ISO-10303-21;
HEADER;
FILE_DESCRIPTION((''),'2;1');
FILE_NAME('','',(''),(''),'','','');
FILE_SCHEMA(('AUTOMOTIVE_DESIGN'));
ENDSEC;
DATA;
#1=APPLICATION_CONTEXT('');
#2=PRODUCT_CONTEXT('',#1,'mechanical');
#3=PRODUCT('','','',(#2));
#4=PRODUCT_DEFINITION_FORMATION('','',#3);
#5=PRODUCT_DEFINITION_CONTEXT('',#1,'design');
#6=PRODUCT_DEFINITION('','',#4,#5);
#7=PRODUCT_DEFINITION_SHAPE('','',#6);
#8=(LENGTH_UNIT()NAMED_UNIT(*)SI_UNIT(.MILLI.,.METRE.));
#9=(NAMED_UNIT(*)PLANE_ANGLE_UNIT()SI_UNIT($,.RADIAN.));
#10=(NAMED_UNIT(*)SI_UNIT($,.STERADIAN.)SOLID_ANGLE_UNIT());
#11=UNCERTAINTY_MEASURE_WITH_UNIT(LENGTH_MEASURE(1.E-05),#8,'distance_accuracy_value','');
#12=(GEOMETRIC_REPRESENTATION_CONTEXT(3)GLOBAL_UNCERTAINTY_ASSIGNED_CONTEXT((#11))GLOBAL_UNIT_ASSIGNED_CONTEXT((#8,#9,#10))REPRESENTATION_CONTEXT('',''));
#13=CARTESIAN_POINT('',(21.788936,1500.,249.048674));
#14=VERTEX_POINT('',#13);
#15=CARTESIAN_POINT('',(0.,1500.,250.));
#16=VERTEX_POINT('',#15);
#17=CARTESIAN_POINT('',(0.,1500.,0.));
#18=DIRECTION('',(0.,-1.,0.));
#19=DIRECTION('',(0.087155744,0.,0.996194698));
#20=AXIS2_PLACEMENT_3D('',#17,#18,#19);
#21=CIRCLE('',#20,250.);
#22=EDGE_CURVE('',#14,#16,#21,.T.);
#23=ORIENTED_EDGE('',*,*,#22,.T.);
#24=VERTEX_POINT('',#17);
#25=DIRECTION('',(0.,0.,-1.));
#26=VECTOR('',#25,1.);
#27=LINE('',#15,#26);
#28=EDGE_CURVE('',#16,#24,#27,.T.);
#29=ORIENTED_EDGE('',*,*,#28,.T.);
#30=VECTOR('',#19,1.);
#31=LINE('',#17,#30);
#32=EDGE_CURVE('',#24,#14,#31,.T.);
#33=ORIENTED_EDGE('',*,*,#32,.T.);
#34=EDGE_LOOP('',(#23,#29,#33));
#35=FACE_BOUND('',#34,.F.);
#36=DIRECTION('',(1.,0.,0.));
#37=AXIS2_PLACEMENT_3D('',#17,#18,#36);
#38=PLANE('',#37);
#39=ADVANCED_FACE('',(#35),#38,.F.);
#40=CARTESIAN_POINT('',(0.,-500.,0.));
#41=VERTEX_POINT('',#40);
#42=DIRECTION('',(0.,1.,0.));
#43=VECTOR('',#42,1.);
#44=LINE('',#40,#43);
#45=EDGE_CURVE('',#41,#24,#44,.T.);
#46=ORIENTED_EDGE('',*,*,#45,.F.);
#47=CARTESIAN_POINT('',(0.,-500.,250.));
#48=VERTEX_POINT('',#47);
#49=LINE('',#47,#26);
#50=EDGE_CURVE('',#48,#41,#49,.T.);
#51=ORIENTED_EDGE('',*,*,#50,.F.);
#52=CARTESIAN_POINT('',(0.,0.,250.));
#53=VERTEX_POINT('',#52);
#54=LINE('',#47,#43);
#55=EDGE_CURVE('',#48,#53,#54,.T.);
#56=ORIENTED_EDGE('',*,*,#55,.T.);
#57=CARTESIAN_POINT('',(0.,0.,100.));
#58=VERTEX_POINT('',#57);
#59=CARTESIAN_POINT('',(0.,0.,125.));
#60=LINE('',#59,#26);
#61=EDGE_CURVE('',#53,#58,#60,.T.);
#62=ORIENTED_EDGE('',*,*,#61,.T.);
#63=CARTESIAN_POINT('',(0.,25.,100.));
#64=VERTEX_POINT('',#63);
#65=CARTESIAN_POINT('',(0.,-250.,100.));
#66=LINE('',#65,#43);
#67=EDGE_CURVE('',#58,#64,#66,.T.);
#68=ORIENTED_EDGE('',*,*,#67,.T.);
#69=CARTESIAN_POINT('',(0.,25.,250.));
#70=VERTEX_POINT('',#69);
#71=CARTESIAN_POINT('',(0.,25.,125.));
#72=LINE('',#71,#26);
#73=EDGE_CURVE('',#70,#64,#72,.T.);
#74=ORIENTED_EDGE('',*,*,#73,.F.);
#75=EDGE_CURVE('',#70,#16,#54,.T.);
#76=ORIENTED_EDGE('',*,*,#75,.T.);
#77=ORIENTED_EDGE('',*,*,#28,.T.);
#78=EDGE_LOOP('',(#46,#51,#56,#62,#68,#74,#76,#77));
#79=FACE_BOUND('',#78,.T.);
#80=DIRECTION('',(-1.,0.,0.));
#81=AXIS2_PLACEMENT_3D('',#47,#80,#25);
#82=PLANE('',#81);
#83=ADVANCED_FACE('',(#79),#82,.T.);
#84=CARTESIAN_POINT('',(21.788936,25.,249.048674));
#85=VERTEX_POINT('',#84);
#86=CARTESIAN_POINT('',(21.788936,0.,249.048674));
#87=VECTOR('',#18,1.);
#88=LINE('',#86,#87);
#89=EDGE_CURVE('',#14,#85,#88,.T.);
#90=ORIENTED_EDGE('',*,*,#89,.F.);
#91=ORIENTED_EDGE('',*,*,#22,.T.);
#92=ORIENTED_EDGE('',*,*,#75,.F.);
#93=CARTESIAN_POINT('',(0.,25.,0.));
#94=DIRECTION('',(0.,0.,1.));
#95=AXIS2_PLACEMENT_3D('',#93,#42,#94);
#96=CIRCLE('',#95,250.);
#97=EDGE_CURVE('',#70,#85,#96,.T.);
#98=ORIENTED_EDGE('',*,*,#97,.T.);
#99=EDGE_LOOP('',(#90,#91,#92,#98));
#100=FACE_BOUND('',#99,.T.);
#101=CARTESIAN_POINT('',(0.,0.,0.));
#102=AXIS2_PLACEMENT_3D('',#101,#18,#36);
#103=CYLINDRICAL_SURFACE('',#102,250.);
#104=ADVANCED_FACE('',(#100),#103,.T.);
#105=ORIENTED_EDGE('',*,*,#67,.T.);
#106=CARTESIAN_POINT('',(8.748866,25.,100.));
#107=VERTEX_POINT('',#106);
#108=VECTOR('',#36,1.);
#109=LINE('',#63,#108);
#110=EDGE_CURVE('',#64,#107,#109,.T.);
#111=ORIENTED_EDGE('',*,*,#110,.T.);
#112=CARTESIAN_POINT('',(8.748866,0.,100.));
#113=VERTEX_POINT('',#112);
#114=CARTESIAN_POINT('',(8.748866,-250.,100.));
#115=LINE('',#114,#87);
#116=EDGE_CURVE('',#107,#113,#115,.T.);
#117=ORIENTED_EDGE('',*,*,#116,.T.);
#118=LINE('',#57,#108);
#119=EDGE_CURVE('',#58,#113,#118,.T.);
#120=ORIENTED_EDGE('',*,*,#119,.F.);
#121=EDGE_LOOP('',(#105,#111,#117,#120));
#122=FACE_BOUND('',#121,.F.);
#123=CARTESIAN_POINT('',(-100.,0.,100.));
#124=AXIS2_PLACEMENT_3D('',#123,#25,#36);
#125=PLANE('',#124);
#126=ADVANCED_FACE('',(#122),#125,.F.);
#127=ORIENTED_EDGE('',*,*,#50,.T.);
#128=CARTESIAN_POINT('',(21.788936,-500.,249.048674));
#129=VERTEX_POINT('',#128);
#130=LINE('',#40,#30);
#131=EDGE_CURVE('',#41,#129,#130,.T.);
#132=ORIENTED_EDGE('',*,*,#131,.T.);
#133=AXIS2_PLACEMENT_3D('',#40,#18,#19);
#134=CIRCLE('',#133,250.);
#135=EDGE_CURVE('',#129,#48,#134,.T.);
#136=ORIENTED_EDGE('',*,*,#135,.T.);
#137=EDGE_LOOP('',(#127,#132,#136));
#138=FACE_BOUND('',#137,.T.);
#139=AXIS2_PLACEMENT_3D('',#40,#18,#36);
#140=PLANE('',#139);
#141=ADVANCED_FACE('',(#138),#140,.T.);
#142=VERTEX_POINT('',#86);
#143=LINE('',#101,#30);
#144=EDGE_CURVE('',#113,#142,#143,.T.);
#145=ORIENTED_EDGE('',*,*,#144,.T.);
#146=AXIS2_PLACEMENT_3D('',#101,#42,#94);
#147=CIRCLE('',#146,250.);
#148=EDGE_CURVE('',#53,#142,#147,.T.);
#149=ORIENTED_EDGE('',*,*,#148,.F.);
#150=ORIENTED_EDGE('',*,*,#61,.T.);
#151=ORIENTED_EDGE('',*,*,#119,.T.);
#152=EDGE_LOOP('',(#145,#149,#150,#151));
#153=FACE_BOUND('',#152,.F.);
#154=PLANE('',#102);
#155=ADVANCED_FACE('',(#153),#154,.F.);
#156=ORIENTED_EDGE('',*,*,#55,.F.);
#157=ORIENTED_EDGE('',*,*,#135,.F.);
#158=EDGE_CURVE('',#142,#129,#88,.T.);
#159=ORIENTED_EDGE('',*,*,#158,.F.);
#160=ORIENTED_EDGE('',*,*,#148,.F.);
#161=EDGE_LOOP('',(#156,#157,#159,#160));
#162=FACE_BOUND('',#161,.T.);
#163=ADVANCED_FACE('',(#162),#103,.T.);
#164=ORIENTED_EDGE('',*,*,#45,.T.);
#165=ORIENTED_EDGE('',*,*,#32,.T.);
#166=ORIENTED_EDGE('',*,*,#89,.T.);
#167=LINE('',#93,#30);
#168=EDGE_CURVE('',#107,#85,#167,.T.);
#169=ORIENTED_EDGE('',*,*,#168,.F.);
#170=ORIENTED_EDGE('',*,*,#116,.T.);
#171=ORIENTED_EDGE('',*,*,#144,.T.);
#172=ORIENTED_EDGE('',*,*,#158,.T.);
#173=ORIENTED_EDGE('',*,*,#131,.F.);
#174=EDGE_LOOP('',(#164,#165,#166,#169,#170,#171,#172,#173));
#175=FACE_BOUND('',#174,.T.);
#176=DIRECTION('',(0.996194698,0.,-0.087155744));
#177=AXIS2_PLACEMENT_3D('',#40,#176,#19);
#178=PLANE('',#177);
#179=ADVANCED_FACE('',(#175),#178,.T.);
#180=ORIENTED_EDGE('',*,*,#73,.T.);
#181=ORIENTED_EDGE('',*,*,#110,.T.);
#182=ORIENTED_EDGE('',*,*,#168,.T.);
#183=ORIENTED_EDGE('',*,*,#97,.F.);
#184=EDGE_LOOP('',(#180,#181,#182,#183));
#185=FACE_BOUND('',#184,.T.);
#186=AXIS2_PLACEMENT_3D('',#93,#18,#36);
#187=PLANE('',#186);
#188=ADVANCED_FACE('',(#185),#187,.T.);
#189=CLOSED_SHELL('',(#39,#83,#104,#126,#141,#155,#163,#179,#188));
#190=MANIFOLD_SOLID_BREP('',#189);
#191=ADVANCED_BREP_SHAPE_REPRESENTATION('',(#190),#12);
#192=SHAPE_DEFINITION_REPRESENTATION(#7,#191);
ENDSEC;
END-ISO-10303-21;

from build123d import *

# Parameters (mm, degrees)
F0_R     = 250
F2_DEPTH = 500
F1_R     = 250
F1_W     = 200
F1_H     = 200
F3_DEPTH = 1500
F1_W_2   = 959.411026
F1_H_2   = 659
F4_DEPTH = 25
F6_DEPTH = 2000


with BuildPart() as f2:
    # F0 (on Front) → F2 (new body)
    with BuildSketch(Plane.XZ):
        Circle(F0_R)
    extrude(amount=F2_DEPTH)

    # F1 (on face) → F3 (join)
    with BuildSketch(Plane.XZ):
        Circle(F1_R)
        Rectangle(F1_W, F1_H, mode=Mode.SUBTRACT)
        Rectangle(F1_W, F1_H)
    extrude(amount=-F3_DEPTH)

    # F1 (on face) → F4 (cut)
    with BuildSketch(Plane.XZ):
        Rectangle(F1_W_2, F1_H_2)
        Rectangle(F1_W, F1_H, mode=Mode.SUBTRACT)
    extrude(amount=-F4_DEPTH, mode=Mode.SUBTRACT)

    # F5 (on face) → F6 (intersect)
    with BuildSketch(Plane.XZ.offset(500)):
        with BuildLine():
            Line((0, 250), (0, 0))
            Line((0, 0), (21.788936, 249.048675))
            ThreePointArc((21.788936, 249.048675), (10.904847, 249.762055), (0, 250))
        make_face()
    extrude(amount=-F6_DEPTH, mode=Mode.INTERSECT)


solid = f2.part
